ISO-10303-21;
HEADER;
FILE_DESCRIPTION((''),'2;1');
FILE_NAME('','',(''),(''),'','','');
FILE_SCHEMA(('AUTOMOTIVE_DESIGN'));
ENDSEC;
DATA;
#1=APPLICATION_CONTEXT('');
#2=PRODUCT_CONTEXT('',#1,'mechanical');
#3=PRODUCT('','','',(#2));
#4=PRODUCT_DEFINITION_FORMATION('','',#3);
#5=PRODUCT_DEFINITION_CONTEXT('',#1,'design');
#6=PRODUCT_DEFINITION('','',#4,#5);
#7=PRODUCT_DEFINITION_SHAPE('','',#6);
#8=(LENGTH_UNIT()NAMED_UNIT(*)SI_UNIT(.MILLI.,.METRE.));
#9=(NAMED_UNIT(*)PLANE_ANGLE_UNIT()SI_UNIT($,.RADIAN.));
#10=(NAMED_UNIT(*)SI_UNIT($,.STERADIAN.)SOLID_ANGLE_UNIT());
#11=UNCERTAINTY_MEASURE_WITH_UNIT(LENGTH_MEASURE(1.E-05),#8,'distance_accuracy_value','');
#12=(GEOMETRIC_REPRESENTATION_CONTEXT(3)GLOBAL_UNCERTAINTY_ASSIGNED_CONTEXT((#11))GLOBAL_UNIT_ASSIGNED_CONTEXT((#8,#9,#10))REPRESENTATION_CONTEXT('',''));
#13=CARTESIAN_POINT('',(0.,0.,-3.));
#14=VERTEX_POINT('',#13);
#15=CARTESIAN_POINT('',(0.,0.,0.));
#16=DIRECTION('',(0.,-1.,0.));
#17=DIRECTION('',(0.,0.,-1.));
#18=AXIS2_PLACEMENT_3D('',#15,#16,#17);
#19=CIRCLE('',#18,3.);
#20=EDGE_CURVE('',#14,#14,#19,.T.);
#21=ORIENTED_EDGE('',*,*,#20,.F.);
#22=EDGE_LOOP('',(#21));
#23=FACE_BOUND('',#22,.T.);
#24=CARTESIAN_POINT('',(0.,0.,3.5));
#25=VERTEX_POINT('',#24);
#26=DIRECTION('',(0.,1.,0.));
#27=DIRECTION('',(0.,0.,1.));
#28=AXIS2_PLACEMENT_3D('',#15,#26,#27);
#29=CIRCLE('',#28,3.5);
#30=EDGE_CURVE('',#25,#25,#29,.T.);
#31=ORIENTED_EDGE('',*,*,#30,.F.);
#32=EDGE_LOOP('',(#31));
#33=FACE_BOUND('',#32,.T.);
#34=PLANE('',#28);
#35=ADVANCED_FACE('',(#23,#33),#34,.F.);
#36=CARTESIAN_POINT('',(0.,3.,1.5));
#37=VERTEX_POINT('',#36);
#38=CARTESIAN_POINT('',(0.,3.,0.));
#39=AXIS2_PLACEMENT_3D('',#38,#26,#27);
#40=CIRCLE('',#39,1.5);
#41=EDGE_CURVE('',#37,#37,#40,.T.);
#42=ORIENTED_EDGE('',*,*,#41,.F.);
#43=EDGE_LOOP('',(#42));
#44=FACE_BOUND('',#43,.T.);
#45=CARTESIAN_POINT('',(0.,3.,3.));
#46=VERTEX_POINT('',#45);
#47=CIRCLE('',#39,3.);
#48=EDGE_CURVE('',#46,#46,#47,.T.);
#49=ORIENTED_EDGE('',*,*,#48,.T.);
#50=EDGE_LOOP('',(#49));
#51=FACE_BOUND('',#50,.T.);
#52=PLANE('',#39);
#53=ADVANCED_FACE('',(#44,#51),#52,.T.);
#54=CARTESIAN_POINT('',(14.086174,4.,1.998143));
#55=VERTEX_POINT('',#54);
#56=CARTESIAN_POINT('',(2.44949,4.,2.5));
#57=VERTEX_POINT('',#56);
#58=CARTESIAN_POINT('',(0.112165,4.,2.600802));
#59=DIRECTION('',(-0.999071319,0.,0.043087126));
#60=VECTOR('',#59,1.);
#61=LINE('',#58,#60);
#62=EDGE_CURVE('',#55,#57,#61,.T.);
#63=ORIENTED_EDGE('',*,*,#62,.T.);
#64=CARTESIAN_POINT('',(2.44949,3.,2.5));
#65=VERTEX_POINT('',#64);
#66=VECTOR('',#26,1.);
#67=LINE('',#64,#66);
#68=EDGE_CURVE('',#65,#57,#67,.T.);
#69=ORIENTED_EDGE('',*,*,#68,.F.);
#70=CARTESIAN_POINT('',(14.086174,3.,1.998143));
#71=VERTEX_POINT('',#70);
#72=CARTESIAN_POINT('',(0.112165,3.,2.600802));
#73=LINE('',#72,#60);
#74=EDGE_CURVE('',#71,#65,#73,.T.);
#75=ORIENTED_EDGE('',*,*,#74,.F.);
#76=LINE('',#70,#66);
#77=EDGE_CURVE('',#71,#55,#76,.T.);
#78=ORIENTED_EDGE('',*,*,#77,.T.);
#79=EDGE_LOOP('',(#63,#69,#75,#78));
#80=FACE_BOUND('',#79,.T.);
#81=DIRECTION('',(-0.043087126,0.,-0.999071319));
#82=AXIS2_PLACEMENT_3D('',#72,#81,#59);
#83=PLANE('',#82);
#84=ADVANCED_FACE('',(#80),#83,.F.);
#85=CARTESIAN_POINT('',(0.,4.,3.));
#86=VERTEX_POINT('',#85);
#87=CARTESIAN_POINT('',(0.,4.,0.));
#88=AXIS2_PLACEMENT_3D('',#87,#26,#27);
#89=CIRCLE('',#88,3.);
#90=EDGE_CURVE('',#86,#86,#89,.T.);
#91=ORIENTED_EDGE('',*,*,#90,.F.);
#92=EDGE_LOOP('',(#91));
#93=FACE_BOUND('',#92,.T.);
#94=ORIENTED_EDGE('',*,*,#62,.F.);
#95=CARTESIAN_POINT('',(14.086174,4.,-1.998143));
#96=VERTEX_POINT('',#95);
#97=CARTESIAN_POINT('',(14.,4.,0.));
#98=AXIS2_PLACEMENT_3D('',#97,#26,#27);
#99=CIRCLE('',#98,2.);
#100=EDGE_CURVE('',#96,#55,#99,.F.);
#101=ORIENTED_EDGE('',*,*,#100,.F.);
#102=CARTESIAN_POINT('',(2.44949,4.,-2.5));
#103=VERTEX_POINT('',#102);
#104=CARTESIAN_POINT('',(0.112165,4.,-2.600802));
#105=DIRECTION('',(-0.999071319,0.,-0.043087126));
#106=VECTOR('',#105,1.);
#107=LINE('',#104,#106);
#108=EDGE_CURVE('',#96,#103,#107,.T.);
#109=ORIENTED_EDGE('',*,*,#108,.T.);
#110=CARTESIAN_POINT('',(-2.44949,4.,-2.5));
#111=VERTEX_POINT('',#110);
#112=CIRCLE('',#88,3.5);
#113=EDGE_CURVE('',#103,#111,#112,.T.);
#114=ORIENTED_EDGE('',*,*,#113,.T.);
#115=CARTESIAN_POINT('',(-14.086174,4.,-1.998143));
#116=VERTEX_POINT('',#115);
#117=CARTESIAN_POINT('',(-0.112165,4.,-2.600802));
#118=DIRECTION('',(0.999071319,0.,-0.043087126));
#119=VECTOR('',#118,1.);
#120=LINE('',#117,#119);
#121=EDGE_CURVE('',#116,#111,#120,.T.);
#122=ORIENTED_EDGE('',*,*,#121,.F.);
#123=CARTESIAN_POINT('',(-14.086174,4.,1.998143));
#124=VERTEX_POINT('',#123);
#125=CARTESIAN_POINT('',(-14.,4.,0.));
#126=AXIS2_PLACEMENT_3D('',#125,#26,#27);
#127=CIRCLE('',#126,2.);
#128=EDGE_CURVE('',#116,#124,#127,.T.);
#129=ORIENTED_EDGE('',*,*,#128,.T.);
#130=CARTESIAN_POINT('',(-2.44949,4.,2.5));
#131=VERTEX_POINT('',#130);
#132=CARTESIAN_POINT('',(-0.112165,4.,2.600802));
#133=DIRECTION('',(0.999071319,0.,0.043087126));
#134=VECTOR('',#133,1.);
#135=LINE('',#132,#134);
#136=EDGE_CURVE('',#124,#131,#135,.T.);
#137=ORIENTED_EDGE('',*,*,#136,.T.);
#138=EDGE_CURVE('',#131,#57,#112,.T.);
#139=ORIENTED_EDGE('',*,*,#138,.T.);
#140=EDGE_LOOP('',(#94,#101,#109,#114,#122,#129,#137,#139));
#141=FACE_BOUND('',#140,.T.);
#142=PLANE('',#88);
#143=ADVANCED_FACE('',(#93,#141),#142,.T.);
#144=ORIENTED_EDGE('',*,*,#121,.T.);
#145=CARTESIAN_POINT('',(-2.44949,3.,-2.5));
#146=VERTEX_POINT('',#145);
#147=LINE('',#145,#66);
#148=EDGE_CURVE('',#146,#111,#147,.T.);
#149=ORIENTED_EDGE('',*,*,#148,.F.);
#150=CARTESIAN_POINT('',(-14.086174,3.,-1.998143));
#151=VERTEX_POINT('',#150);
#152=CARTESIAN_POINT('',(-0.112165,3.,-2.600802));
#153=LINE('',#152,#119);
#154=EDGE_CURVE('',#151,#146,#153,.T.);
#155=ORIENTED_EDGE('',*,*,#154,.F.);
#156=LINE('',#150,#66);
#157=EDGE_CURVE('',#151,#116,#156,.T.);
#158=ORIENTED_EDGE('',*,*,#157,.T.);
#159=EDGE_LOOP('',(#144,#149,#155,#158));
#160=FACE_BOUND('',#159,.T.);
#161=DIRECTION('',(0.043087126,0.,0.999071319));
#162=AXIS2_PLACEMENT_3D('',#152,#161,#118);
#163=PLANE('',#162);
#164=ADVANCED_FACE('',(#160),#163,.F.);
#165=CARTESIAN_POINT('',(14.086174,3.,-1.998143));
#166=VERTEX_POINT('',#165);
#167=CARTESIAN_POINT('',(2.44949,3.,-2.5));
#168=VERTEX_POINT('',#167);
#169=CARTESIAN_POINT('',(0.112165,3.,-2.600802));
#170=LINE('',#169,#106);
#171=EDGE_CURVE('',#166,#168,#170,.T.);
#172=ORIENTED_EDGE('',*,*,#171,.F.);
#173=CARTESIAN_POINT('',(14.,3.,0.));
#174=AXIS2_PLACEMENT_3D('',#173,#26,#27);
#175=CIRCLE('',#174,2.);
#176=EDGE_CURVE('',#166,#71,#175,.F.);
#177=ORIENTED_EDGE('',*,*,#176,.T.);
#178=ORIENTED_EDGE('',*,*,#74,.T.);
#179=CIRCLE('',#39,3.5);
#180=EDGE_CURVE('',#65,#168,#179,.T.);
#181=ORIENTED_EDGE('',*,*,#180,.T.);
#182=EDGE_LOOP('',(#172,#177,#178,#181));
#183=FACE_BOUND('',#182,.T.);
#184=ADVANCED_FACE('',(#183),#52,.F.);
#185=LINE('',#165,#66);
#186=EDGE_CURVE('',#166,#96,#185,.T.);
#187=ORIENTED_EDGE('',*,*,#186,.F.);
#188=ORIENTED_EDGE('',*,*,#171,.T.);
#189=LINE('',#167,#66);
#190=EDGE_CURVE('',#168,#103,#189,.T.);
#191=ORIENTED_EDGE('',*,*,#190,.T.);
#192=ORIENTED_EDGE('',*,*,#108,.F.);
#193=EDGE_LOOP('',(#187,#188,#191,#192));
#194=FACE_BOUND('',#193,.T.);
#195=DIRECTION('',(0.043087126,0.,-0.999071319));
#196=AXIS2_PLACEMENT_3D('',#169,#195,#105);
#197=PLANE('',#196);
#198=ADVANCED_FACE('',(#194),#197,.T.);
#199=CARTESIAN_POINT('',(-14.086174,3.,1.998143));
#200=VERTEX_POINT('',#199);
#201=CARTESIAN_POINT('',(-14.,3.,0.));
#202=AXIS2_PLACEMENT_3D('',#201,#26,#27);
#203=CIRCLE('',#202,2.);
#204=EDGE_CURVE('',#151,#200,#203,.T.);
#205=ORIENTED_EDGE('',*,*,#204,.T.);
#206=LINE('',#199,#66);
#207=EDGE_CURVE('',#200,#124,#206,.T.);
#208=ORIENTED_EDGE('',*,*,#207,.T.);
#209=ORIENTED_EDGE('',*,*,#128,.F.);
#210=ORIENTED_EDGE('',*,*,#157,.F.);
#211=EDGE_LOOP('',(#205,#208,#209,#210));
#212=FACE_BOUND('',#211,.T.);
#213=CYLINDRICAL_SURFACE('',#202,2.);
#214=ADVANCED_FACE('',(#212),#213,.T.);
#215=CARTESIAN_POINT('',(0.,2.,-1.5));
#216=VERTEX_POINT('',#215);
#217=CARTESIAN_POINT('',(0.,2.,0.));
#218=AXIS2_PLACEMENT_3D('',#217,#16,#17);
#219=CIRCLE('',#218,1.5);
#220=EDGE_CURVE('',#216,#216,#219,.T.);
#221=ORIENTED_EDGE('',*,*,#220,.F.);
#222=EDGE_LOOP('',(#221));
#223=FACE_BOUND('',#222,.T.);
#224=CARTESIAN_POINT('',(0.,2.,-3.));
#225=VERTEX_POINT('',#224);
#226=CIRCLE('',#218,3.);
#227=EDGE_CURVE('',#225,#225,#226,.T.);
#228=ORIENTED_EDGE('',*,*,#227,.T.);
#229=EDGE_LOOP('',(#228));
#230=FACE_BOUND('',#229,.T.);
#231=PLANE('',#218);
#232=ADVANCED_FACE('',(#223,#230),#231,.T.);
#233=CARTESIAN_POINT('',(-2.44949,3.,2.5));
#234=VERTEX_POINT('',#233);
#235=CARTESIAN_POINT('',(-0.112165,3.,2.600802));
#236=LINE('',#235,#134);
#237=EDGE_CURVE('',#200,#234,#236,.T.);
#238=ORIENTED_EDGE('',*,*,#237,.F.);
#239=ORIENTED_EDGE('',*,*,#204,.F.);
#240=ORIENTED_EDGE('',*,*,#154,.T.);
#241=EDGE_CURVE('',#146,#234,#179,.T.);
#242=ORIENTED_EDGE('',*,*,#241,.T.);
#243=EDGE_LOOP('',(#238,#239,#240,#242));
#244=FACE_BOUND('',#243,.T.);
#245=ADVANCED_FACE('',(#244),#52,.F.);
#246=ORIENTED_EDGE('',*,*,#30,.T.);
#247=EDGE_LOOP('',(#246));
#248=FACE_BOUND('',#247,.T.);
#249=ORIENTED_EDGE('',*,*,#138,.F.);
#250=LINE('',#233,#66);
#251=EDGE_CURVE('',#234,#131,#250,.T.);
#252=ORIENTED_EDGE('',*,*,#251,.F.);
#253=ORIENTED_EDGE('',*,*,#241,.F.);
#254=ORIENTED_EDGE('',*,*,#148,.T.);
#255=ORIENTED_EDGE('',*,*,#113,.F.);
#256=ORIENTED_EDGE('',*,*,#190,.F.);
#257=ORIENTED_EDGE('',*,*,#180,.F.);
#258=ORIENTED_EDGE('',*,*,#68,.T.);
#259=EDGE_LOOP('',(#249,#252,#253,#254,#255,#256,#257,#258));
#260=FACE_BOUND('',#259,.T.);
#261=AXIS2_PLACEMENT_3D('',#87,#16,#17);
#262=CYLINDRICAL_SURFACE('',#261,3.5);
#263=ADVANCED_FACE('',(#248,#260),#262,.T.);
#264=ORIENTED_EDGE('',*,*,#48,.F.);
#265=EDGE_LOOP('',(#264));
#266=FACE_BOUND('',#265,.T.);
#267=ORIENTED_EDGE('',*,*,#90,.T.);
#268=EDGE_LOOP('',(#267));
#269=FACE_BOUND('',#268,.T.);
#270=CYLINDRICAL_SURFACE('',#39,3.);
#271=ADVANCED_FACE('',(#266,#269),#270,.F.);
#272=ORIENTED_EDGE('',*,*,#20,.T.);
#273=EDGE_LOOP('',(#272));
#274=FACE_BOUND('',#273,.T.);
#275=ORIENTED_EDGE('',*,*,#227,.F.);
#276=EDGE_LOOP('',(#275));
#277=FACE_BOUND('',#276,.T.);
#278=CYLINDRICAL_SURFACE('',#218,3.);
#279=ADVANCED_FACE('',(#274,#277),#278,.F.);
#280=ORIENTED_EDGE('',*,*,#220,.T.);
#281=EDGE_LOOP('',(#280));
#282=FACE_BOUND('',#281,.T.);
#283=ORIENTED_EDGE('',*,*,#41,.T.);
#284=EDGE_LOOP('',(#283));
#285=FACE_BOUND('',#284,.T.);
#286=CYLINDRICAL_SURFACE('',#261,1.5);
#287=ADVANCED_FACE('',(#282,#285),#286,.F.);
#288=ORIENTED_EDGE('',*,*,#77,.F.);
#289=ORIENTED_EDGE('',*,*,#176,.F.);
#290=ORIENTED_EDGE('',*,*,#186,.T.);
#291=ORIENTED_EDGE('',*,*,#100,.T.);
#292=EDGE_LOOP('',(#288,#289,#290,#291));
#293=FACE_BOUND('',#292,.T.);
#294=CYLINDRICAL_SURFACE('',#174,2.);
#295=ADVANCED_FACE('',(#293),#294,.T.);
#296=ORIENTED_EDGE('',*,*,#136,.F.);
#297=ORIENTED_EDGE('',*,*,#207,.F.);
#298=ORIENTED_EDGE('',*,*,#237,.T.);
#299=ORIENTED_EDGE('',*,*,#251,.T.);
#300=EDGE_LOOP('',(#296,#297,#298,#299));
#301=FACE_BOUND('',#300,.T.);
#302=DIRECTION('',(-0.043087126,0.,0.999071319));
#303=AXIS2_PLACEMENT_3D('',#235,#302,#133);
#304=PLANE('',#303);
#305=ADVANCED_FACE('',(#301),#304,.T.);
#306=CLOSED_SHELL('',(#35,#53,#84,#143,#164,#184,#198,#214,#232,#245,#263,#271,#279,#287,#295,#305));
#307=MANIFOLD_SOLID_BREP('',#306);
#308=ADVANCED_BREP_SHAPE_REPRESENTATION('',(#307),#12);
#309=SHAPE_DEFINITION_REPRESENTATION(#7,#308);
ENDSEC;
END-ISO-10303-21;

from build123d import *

# Parameters (mm, degrees)
SKETCH_1_R          = 3.5
SKETCH_1_R_2        = 1.5
EXTRUDE_1_DEPTH     = 4
SKETCH_2_R          = 3
CUT_EXTRUDE_1_DEPTH = 2
CUT_EXTRUDE_START   = -1
SKETCH_3_R          = 3
CUT_EXTRUDE_2_DEPTH = 1
EXTRUDE_START       = -1
SKETCH_4_R          = 2
EXTRUDE_2_DEPTH     = 1


with BuildPart() as part:
    # 草图1 → 凸台-拉伸1 (new body)
    with BuildSketch(Plane(origin=(0, 0, 0), x_dir=(1, 0, 0), z_dir=(0, 1, 0))):
        with Locations(Location((0, 0, 0), (0, 0, 270))):
            Circle(SKETCH_1_R)
        with Locations(Location((0, 0, 0), (0, 0, 270))):
            Circle(SKETCH_1_R_2, mode=Mode.SUBTRACT)
    extrude(amount=EXTRUDE_1_DEPTH)

    # 草图2 → 切除-拉伸1 (cut)
    with BuildSketch(Plane.XZ):
        with Locations(Location((0, 0, 0), (0, 0, 270))):
            Circle(SKETCH_2_R)
    extrude(amount=-CUT_EXTRUDE_1_DEPTH, mode=Mode.SUBTRACT)

    # 草图3 → 切除-拉伸2 (cut)
    with BuildSketch(Plane(origin=(0, 4, 0), x_dir=(1, 0, 0), z_dir=(0, 1, 0)).offset(CUT_EXTRUDE_START)):
        with Locations(Location((0, 0, 0), (0, 0, 90))):
            Circle(SKETCH_3_R)
    extrude(amount=CUT_EXTRUDE_2_DEPTH, mode=Mode.SUBTRACT)

    # 草图4 → 凸台-拉伸2 (add)
    with BuildSketch(Plane(origin=(0, 4, 0), x_dir=(1, 0, 0), z_dir=(0, 1, 0)).offset(EXTRUDE_START)):
        with BuildLine():
            ThreePointArc((-2.449489743, -2.5), (-3.5, 0), (-2.449489743, 2.5))
            Line((-2.449489743, 2.5), (-14.086174253, 1.998142637))
            ThreePointArc((-14.086174253, 1.998142637), (-12.61658909, 1.444359461), (-12, 0))
            ThreePointArc((-12, 0), (-12.61658909, -1.444359461), (-14.086174253, -1.998142637))
            Line((-14.086174253, -1.998142637), (-2.449489743, -2.5))
        make_face()
        with BuildLine():
            ThreePointArc((14.086174253, -1.998142637), (12, 0), (14.086174253, 1.998142637))
            Line((14.086174253, 1.998142637), (2.449489743, 2.5))
            ThreePointArc((2.449489743, 2.5), (3.226702194, 1.355873501), (3.5, 0))
            ThreePointArc((3.5, 0), (3.226702194, -1.355873501), (2.449489743, -2.5))
            Line((2.449489743, -2.5), (14.086174253, -1.998142637))
        make_face()
        with Locations((-14, 0)):
            Circle(SKETCH_4_R)
        with Locations((14, 0)):
            Circle(SKETCH_4_R)
    extrude(amount=EXTRUDE_2_DEPTH)


solid = part.part
